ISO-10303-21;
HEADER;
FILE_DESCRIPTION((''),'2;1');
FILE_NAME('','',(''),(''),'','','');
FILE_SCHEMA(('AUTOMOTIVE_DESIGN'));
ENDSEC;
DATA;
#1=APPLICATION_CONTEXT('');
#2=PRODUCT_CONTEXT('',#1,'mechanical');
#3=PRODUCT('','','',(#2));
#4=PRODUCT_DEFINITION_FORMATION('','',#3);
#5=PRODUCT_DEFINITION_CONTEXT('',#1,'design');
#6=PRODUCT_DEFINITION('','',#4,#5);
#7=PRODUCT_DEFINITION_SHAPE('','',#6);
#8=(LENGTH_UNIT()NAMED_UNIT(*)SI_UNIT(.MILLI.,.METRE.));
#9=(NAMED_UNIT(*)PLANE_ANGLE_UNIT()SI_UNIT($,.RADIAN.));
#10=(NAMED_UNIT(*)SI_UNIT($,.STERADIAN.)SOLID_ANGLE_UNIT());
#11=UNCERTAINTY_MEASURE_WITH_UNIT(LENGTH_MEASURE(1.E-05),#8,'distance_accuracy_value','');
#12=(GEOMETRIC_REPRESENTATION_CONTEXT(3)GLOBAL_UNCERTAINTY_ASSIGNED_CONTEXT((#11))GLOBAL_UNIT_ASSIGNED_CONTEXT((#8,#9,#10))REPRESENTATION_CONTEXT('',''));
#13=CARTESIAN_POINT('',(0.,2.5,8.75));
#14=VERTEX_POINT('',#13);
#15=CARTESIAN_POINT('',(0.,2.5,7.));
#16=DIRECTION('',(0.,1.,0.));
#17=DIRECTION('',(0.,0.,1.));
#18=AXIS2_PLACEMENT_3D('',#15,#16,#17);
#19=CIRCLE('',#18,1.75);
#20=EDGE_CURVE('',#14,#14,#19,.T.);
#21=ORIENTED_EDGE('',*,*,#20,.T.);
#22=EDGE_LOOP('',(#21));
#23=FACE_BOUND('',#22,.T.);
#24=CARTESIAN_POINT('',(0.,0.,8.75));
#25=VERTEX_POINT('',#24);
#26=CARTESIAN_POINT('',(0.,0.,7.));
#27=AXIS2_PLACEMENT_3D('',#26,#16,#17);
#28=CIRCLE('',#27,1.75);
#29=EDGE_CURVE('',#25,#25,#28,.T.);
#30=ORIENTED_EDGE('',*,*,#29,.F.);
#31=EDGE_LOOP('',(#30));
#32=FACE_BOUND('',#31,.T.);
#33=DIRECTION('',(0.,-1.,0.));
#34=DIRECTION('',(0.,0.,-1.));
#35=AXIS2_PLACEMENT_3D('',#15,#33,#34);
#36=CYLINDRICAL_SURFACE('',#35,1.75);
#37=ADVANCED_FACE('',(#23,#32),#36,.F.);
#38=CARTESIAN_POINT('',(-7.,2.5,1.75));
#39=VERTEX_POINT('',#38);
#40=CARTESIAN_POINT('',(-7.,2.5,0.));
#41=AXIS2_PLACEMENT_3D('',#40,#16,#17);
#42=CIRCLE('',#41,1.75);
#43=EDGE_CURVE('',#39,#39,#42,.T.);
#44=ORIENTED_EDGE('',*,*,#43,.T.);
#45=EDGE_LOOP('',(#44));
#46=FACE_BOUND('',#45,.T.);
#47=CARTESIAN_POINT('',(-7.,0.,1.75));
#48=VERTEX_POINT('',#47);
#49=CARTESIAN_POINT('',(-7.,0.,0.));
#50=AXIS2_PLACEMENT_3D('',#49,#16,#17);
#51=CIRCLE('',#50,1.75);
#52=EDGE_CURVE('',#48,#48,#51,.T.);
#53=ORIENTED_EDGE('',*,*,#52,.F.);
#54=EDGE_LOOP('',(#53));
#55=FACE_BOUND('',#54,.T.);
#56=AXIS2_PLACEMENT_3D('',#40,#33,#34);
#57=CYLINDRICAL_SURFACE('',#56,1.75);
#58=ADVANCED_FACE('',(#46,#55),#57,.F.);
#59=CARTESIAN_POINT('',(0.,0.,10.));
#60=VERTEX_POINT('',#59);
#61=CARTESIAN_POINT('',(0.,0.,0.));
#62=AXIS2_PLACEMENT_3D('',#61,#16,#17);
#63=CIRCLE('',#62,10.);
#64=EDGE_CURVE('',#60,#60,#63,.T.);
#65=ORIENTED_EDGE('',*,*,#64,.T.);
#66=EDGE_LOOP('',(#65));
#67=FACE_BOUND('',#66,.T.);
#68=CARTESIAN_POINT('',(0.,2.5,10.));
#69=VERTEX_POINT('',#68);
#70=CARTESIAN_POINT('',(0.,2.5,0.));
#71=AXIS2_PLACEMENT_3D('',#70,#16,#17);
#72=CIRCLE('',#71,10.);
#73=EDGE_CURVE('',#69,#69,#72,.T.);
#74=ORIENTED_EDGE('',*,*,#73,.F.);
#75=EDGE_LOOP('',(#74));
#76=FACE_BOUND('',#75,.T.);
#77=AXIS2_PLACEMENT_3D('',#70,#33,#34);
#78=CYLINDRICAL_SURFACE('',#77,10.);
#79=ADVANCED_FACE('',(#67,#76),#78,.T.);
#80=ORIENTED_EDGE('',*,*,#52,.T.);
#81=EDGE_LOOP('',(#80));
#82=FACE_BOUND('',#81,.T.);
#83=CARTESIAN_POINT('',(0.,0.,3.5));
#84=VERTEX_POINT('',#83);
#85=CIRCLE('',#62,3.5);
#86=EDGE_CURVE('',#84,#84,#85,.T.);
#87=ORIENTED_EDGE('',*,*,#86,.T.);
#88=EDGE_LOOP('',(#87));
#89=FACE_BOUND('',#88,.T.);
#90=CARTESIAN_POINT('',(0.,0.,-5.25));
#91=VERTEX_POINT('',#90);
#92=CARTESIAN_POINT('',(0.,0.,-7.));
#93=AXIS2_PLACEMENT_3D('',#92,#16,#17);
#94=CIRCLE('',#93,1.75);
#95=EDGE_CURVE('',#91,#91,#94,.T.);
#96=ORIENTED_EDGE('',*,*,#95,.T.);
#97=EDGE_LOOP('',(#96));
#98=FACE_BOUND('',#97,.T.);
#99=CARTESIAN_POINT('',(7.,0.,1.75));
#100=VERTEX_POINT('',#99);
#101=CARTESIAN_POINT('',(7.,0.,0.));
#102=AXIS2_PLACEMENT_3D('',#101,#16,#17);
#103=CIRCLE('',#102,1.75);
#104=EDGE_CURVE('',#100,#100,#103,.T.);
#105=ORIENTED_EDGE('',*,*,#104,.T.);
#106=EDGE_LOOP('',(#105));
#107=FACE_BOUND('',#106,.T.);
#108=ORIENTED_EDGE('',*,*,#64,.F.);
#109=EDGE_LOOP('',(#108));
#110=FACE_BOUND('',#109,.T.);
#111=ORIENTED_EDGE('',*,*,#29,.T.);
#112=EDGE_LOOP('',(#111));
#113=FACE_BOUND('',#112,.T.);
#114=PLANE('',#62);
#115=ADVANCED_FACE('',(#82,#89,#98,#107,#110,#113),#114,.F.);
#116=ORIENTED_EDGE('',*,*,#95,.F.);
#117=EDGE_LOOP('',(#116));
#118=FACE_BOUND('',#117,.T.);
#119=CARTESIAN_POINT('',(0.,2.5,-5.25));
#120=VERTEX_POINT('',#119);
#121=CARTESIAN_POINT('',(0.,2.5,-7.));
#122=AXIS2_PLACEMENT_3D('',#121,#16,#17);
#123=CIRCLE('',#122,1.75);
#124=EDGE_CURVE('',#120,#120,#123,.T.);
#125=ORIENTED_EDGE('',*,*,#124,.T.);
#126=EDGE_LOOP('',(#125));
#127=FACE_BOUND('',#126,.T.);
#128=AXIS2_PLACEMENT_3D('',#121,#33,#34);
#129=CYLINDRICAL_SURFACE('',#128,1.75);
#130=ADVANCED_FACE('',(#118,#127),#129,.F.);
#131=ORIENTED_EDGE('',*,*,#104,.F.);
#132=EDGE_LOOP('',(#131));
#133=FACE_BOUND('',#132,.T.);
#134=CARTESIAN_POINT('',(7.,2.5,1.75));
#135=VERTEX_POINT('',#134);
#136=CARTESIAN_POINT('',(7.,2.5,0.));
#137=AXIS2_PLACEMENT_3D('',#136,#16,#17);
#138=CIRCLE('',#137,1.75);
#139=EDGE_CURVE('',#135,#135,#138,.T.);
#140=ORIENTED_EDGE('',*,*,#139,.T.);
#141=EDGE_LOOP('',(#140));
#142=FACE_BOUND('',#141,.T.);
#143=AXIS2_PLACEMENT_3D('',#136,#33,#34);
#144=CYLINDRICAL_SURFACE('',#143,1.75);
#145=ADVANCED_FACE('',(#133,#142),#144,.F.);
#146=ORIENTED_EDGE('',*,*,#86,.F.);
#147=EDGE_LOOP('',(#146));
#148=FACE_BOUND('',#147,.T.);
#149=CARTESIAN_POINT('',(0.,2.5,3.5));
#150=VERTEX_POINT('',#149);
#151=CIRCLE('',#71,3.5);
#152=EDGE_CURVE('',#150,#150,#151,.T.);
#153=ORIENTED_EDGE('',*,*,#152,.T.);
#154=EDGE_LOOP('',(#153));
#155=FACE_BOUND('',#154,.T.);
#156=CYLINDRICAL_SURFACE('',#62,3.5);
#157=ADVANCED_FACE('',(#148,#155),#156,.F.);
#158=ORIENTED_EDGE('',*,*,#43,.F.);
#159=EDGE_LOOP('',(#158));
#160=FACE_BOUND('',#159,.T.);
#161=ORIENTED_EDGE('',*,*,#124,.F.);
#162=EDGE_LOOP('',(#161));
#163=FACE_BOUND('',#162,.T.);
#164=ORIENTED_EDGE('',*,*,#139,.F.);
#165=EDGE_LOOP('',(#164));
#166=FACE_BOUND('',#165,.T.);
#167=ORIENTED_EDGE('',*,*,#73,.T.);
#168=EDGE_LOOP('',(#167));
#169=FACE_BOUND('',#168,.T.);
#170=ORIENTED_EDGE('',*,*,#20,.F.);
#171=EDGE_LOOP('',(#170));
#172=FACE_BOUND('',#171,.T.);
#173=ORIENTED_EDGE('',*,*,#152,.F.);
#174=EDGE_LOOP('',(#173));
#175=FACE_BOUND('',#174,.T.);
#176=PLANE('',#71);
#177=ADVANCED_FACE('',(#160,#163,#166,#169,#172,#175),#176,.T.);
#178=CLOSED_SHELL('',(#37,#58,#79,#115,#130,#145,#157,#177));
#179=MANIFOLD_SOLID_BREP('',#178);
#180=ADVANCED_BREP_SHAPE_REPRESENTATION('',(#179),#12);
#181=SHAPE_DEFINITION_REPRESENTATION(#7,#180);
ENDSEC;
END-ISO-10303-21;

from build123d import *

# Parameters (mm, degrees)
SKETCH_1_R          = 10
SKETCH_1_R_2        = 1.75
EXTRUDE_1_DEPTH     = 2.5
SKETCH_2_R          = 3.5
CUT_EXTRUDE_1_DEPTH = 3.5


with BuildPart() as part:
    # Эскиз1 → Бобышка-Вытянуть1 (new body)
    with BuildSketch(Plane(origin=(0, 0, 0), x_dir=(1, 0, 0), z_dir=(0, 1, 0))):
        Circle(SKETCH_1_R)
        with Locations((-7, 0)):
            Circle(SKETCH_1_R_2, mode=Mode.SUBTRACT)
        with Locations((0, 7)):
            Circle(SKETCH_1_R_2, mode=Mode.SUBTRACT)
        with Locations((7, 0)):
            Circle(SKETCH_1_R_2, mode=Mode.SUBTRACT)
        with Locations((0, -7)):
            Circle(SKETCH_1_R_2, mode=Mode.SUBTRACT)
    extrude(amount=EXTRUDE_1_DEPTH)

    # Эскиз2 → Вырез-Вытянуть1 (cut, through all)
    with BuildSketch(Plane(origin=(0, 2.5, 0), x_dir=(1, 0, 0), z_dir=(0, 1, 0))):
        Circle(SKETCH_2_R)
    extrude(amount=-CUT_EXTRUDE_1_DEPTH, mode=Mode.SUBTRACT)


solid = part.part
